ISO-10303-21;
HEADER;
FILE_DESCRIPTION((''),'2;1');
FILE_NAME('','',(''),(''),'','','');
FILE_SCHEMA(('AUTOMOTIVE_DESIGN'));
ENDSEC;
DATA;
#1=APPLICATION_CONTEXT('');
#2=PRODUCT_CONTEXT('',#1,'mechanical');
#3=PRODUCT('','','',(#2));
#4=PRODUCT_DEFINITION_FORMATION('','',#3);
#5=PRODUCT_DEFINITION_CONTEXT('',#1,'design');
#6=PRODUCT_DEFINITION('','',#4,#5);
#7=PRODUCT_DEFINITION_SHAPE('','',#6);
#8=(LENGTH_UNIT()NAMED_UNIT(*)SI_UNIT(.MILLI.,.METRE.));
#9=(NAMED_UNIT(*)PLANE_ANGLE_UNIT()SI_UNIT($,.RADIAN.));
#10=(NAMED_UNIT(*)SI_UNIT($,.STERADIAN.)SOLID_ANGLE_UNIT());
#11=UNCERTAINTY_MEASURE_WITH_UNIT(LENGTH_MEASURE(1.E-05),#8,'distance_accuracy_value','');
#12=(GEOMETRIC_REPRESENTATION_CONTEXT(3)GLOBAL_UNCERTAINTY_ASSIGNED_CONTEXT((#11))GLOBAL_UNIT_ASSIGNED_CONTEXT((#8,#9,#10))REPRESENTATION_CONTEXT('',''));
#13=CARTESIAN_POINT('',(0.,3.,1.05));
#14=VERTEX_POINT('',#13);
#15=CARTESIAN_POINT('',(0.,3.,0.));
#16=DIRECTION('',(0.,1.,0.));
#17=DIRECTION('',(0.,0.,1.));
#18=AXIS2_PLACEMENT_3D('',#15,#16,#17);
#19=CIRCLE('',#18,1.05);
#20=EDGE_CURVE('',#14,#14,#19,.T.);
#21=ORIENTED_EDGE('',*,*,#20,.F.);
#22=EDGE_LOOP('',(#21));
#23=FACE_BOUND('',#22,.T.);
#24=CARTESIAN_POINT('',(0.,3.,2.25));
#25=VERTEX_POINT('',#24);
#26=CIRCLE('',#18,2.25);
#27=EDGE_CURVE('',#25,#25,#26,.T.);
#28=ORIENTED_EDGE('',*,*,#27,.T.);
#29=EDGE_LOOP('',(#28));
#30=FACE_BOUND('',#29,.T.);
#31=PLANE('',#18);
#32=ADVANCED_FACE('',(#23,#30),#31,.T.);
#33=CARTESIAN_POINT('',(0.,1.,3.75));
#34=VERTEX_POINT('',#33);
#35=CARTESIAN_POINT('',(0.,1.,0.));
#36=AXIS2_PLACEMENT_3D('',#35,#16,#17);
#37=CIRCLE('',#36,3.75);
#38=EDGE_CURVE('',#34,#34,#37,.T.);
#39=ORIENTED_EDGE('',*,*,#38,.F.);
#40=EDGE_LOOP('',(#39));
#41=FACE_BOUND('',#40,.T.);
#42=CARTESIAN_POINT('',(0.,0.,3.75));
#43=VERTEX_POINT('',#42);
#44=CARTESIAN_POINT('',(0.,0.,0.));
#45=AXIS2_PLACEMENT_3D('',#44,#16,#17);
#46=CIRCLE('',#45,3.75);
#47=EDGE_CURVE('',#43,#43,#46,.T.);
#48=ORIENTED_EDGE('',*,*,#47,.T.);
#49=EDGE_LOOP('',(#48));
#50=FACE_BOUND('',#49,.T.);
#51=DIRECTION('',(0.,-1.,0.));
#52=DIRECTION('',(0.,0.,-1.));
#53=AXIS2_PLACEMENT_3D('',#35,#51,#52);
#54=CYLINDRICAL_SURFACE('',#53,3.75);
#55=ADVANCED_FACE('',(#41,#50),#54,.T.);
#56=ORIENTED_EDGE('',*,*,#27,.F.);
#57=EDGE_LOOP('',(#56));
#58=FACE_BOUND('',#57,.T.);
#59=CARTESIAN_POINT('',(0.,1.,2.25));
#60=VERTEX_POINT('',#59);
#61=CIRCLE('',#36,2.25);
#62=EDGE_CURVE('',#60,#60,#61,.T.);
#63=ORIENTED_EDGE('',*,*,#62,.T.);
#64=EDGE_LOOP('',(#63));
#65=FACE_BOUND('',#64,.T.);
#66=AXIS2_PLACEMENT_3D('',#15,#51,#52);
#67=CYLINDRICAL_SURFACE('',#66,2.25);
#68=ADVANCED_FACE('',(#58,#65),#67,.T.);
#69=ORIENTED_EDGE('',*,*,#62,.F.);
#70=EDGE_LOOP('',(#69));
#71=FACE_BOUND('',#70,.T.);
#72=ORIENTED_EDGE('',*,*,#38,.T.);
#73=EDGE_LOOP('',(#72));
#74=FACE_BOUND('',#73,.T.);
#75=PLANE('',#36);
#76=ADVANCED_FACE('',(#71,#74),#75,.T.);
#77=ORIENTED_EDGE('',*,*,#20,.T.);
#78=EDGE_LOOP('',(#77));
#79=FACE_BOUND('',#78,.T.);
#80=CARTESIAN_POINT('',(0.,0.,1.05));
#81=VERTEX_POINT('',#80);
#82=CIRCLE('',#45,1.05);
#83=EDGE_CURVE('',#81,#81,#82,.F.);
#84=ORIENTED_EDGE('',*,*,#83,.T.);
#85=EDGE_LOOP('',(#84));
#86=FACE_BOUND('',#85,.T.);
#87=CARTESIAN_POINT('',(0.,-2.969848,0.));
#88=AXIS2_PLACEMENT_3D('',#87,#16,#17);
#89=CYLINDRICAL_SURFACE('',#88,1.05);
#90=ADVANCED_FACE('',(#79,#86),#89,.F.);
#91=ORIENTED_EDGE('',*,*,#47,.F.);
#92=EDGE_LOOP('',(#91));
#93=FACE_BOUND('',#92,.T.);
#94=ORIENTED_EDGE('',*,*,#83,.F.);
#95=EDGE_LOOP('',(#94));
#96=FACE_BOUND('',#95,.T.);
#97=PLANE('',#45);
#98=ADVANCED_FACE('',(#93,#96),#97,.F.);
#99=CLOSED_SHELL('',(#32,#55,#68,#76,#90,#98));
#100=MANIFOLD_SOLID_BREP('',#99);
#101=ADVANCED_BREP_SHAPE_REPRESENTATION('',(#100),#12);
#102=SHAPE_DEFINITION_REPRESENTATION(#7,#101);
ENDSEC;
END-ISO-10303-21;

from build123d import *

# Parameters (mm, degrees)
SKETCH1_R           = 3.75
BOSS_EXTRUDE1_DEPTH = 1
SKETCH2_R           = 2.25
BOSS_EXTRUDE2_DEPTH = 2
SKETCH3_R           = 1.05
CUT_EXTRUDE1_DEPTH  = 3


with BuildPart() as part:
    # Sketch1 → Boss-Extrude1 (new body)
    with BuildSketch(Plane(origin=(0, 0, 0), x_dir=(1, 0, 0), z_dir=(0, 1, 0))):
        with Locations(Location((0, 0, 0), (0, 0, 270))):
            Circle(SKETCH1_R)
    extrude(amount=BOSS_EXTRUDE1_DEPTH)

    # Sketch2 → Boss-Extrude2 (add)
    with BuildSketch(Plane(origin=(0, 1, 0), x_dir=(1, 0, 0), z_dir=(0, 1, 0))):
        with Locations(Location((0, 0, 0), (0, 0, 270))):
            Circle(SKETCH2_R)
    extrude(amount=BOSS_EXTRUDE2_DEPTH)

    # Sketch3 → Cut-Extrude1 (cut)
    with BuildSketch(Plane(origin=(0, 3, 0), x_dir=(1, 0, 0), z_dir=(0, 1, 0))):
        with Locations(Location((0, 0, 0), (0, 0, 270))):
            Circle(SKETCH3_R)
    extrude(amount=-CUT_EXTRUDE1_DEPTH, mode=Mode.SUBTRACT)


solid = part.part
